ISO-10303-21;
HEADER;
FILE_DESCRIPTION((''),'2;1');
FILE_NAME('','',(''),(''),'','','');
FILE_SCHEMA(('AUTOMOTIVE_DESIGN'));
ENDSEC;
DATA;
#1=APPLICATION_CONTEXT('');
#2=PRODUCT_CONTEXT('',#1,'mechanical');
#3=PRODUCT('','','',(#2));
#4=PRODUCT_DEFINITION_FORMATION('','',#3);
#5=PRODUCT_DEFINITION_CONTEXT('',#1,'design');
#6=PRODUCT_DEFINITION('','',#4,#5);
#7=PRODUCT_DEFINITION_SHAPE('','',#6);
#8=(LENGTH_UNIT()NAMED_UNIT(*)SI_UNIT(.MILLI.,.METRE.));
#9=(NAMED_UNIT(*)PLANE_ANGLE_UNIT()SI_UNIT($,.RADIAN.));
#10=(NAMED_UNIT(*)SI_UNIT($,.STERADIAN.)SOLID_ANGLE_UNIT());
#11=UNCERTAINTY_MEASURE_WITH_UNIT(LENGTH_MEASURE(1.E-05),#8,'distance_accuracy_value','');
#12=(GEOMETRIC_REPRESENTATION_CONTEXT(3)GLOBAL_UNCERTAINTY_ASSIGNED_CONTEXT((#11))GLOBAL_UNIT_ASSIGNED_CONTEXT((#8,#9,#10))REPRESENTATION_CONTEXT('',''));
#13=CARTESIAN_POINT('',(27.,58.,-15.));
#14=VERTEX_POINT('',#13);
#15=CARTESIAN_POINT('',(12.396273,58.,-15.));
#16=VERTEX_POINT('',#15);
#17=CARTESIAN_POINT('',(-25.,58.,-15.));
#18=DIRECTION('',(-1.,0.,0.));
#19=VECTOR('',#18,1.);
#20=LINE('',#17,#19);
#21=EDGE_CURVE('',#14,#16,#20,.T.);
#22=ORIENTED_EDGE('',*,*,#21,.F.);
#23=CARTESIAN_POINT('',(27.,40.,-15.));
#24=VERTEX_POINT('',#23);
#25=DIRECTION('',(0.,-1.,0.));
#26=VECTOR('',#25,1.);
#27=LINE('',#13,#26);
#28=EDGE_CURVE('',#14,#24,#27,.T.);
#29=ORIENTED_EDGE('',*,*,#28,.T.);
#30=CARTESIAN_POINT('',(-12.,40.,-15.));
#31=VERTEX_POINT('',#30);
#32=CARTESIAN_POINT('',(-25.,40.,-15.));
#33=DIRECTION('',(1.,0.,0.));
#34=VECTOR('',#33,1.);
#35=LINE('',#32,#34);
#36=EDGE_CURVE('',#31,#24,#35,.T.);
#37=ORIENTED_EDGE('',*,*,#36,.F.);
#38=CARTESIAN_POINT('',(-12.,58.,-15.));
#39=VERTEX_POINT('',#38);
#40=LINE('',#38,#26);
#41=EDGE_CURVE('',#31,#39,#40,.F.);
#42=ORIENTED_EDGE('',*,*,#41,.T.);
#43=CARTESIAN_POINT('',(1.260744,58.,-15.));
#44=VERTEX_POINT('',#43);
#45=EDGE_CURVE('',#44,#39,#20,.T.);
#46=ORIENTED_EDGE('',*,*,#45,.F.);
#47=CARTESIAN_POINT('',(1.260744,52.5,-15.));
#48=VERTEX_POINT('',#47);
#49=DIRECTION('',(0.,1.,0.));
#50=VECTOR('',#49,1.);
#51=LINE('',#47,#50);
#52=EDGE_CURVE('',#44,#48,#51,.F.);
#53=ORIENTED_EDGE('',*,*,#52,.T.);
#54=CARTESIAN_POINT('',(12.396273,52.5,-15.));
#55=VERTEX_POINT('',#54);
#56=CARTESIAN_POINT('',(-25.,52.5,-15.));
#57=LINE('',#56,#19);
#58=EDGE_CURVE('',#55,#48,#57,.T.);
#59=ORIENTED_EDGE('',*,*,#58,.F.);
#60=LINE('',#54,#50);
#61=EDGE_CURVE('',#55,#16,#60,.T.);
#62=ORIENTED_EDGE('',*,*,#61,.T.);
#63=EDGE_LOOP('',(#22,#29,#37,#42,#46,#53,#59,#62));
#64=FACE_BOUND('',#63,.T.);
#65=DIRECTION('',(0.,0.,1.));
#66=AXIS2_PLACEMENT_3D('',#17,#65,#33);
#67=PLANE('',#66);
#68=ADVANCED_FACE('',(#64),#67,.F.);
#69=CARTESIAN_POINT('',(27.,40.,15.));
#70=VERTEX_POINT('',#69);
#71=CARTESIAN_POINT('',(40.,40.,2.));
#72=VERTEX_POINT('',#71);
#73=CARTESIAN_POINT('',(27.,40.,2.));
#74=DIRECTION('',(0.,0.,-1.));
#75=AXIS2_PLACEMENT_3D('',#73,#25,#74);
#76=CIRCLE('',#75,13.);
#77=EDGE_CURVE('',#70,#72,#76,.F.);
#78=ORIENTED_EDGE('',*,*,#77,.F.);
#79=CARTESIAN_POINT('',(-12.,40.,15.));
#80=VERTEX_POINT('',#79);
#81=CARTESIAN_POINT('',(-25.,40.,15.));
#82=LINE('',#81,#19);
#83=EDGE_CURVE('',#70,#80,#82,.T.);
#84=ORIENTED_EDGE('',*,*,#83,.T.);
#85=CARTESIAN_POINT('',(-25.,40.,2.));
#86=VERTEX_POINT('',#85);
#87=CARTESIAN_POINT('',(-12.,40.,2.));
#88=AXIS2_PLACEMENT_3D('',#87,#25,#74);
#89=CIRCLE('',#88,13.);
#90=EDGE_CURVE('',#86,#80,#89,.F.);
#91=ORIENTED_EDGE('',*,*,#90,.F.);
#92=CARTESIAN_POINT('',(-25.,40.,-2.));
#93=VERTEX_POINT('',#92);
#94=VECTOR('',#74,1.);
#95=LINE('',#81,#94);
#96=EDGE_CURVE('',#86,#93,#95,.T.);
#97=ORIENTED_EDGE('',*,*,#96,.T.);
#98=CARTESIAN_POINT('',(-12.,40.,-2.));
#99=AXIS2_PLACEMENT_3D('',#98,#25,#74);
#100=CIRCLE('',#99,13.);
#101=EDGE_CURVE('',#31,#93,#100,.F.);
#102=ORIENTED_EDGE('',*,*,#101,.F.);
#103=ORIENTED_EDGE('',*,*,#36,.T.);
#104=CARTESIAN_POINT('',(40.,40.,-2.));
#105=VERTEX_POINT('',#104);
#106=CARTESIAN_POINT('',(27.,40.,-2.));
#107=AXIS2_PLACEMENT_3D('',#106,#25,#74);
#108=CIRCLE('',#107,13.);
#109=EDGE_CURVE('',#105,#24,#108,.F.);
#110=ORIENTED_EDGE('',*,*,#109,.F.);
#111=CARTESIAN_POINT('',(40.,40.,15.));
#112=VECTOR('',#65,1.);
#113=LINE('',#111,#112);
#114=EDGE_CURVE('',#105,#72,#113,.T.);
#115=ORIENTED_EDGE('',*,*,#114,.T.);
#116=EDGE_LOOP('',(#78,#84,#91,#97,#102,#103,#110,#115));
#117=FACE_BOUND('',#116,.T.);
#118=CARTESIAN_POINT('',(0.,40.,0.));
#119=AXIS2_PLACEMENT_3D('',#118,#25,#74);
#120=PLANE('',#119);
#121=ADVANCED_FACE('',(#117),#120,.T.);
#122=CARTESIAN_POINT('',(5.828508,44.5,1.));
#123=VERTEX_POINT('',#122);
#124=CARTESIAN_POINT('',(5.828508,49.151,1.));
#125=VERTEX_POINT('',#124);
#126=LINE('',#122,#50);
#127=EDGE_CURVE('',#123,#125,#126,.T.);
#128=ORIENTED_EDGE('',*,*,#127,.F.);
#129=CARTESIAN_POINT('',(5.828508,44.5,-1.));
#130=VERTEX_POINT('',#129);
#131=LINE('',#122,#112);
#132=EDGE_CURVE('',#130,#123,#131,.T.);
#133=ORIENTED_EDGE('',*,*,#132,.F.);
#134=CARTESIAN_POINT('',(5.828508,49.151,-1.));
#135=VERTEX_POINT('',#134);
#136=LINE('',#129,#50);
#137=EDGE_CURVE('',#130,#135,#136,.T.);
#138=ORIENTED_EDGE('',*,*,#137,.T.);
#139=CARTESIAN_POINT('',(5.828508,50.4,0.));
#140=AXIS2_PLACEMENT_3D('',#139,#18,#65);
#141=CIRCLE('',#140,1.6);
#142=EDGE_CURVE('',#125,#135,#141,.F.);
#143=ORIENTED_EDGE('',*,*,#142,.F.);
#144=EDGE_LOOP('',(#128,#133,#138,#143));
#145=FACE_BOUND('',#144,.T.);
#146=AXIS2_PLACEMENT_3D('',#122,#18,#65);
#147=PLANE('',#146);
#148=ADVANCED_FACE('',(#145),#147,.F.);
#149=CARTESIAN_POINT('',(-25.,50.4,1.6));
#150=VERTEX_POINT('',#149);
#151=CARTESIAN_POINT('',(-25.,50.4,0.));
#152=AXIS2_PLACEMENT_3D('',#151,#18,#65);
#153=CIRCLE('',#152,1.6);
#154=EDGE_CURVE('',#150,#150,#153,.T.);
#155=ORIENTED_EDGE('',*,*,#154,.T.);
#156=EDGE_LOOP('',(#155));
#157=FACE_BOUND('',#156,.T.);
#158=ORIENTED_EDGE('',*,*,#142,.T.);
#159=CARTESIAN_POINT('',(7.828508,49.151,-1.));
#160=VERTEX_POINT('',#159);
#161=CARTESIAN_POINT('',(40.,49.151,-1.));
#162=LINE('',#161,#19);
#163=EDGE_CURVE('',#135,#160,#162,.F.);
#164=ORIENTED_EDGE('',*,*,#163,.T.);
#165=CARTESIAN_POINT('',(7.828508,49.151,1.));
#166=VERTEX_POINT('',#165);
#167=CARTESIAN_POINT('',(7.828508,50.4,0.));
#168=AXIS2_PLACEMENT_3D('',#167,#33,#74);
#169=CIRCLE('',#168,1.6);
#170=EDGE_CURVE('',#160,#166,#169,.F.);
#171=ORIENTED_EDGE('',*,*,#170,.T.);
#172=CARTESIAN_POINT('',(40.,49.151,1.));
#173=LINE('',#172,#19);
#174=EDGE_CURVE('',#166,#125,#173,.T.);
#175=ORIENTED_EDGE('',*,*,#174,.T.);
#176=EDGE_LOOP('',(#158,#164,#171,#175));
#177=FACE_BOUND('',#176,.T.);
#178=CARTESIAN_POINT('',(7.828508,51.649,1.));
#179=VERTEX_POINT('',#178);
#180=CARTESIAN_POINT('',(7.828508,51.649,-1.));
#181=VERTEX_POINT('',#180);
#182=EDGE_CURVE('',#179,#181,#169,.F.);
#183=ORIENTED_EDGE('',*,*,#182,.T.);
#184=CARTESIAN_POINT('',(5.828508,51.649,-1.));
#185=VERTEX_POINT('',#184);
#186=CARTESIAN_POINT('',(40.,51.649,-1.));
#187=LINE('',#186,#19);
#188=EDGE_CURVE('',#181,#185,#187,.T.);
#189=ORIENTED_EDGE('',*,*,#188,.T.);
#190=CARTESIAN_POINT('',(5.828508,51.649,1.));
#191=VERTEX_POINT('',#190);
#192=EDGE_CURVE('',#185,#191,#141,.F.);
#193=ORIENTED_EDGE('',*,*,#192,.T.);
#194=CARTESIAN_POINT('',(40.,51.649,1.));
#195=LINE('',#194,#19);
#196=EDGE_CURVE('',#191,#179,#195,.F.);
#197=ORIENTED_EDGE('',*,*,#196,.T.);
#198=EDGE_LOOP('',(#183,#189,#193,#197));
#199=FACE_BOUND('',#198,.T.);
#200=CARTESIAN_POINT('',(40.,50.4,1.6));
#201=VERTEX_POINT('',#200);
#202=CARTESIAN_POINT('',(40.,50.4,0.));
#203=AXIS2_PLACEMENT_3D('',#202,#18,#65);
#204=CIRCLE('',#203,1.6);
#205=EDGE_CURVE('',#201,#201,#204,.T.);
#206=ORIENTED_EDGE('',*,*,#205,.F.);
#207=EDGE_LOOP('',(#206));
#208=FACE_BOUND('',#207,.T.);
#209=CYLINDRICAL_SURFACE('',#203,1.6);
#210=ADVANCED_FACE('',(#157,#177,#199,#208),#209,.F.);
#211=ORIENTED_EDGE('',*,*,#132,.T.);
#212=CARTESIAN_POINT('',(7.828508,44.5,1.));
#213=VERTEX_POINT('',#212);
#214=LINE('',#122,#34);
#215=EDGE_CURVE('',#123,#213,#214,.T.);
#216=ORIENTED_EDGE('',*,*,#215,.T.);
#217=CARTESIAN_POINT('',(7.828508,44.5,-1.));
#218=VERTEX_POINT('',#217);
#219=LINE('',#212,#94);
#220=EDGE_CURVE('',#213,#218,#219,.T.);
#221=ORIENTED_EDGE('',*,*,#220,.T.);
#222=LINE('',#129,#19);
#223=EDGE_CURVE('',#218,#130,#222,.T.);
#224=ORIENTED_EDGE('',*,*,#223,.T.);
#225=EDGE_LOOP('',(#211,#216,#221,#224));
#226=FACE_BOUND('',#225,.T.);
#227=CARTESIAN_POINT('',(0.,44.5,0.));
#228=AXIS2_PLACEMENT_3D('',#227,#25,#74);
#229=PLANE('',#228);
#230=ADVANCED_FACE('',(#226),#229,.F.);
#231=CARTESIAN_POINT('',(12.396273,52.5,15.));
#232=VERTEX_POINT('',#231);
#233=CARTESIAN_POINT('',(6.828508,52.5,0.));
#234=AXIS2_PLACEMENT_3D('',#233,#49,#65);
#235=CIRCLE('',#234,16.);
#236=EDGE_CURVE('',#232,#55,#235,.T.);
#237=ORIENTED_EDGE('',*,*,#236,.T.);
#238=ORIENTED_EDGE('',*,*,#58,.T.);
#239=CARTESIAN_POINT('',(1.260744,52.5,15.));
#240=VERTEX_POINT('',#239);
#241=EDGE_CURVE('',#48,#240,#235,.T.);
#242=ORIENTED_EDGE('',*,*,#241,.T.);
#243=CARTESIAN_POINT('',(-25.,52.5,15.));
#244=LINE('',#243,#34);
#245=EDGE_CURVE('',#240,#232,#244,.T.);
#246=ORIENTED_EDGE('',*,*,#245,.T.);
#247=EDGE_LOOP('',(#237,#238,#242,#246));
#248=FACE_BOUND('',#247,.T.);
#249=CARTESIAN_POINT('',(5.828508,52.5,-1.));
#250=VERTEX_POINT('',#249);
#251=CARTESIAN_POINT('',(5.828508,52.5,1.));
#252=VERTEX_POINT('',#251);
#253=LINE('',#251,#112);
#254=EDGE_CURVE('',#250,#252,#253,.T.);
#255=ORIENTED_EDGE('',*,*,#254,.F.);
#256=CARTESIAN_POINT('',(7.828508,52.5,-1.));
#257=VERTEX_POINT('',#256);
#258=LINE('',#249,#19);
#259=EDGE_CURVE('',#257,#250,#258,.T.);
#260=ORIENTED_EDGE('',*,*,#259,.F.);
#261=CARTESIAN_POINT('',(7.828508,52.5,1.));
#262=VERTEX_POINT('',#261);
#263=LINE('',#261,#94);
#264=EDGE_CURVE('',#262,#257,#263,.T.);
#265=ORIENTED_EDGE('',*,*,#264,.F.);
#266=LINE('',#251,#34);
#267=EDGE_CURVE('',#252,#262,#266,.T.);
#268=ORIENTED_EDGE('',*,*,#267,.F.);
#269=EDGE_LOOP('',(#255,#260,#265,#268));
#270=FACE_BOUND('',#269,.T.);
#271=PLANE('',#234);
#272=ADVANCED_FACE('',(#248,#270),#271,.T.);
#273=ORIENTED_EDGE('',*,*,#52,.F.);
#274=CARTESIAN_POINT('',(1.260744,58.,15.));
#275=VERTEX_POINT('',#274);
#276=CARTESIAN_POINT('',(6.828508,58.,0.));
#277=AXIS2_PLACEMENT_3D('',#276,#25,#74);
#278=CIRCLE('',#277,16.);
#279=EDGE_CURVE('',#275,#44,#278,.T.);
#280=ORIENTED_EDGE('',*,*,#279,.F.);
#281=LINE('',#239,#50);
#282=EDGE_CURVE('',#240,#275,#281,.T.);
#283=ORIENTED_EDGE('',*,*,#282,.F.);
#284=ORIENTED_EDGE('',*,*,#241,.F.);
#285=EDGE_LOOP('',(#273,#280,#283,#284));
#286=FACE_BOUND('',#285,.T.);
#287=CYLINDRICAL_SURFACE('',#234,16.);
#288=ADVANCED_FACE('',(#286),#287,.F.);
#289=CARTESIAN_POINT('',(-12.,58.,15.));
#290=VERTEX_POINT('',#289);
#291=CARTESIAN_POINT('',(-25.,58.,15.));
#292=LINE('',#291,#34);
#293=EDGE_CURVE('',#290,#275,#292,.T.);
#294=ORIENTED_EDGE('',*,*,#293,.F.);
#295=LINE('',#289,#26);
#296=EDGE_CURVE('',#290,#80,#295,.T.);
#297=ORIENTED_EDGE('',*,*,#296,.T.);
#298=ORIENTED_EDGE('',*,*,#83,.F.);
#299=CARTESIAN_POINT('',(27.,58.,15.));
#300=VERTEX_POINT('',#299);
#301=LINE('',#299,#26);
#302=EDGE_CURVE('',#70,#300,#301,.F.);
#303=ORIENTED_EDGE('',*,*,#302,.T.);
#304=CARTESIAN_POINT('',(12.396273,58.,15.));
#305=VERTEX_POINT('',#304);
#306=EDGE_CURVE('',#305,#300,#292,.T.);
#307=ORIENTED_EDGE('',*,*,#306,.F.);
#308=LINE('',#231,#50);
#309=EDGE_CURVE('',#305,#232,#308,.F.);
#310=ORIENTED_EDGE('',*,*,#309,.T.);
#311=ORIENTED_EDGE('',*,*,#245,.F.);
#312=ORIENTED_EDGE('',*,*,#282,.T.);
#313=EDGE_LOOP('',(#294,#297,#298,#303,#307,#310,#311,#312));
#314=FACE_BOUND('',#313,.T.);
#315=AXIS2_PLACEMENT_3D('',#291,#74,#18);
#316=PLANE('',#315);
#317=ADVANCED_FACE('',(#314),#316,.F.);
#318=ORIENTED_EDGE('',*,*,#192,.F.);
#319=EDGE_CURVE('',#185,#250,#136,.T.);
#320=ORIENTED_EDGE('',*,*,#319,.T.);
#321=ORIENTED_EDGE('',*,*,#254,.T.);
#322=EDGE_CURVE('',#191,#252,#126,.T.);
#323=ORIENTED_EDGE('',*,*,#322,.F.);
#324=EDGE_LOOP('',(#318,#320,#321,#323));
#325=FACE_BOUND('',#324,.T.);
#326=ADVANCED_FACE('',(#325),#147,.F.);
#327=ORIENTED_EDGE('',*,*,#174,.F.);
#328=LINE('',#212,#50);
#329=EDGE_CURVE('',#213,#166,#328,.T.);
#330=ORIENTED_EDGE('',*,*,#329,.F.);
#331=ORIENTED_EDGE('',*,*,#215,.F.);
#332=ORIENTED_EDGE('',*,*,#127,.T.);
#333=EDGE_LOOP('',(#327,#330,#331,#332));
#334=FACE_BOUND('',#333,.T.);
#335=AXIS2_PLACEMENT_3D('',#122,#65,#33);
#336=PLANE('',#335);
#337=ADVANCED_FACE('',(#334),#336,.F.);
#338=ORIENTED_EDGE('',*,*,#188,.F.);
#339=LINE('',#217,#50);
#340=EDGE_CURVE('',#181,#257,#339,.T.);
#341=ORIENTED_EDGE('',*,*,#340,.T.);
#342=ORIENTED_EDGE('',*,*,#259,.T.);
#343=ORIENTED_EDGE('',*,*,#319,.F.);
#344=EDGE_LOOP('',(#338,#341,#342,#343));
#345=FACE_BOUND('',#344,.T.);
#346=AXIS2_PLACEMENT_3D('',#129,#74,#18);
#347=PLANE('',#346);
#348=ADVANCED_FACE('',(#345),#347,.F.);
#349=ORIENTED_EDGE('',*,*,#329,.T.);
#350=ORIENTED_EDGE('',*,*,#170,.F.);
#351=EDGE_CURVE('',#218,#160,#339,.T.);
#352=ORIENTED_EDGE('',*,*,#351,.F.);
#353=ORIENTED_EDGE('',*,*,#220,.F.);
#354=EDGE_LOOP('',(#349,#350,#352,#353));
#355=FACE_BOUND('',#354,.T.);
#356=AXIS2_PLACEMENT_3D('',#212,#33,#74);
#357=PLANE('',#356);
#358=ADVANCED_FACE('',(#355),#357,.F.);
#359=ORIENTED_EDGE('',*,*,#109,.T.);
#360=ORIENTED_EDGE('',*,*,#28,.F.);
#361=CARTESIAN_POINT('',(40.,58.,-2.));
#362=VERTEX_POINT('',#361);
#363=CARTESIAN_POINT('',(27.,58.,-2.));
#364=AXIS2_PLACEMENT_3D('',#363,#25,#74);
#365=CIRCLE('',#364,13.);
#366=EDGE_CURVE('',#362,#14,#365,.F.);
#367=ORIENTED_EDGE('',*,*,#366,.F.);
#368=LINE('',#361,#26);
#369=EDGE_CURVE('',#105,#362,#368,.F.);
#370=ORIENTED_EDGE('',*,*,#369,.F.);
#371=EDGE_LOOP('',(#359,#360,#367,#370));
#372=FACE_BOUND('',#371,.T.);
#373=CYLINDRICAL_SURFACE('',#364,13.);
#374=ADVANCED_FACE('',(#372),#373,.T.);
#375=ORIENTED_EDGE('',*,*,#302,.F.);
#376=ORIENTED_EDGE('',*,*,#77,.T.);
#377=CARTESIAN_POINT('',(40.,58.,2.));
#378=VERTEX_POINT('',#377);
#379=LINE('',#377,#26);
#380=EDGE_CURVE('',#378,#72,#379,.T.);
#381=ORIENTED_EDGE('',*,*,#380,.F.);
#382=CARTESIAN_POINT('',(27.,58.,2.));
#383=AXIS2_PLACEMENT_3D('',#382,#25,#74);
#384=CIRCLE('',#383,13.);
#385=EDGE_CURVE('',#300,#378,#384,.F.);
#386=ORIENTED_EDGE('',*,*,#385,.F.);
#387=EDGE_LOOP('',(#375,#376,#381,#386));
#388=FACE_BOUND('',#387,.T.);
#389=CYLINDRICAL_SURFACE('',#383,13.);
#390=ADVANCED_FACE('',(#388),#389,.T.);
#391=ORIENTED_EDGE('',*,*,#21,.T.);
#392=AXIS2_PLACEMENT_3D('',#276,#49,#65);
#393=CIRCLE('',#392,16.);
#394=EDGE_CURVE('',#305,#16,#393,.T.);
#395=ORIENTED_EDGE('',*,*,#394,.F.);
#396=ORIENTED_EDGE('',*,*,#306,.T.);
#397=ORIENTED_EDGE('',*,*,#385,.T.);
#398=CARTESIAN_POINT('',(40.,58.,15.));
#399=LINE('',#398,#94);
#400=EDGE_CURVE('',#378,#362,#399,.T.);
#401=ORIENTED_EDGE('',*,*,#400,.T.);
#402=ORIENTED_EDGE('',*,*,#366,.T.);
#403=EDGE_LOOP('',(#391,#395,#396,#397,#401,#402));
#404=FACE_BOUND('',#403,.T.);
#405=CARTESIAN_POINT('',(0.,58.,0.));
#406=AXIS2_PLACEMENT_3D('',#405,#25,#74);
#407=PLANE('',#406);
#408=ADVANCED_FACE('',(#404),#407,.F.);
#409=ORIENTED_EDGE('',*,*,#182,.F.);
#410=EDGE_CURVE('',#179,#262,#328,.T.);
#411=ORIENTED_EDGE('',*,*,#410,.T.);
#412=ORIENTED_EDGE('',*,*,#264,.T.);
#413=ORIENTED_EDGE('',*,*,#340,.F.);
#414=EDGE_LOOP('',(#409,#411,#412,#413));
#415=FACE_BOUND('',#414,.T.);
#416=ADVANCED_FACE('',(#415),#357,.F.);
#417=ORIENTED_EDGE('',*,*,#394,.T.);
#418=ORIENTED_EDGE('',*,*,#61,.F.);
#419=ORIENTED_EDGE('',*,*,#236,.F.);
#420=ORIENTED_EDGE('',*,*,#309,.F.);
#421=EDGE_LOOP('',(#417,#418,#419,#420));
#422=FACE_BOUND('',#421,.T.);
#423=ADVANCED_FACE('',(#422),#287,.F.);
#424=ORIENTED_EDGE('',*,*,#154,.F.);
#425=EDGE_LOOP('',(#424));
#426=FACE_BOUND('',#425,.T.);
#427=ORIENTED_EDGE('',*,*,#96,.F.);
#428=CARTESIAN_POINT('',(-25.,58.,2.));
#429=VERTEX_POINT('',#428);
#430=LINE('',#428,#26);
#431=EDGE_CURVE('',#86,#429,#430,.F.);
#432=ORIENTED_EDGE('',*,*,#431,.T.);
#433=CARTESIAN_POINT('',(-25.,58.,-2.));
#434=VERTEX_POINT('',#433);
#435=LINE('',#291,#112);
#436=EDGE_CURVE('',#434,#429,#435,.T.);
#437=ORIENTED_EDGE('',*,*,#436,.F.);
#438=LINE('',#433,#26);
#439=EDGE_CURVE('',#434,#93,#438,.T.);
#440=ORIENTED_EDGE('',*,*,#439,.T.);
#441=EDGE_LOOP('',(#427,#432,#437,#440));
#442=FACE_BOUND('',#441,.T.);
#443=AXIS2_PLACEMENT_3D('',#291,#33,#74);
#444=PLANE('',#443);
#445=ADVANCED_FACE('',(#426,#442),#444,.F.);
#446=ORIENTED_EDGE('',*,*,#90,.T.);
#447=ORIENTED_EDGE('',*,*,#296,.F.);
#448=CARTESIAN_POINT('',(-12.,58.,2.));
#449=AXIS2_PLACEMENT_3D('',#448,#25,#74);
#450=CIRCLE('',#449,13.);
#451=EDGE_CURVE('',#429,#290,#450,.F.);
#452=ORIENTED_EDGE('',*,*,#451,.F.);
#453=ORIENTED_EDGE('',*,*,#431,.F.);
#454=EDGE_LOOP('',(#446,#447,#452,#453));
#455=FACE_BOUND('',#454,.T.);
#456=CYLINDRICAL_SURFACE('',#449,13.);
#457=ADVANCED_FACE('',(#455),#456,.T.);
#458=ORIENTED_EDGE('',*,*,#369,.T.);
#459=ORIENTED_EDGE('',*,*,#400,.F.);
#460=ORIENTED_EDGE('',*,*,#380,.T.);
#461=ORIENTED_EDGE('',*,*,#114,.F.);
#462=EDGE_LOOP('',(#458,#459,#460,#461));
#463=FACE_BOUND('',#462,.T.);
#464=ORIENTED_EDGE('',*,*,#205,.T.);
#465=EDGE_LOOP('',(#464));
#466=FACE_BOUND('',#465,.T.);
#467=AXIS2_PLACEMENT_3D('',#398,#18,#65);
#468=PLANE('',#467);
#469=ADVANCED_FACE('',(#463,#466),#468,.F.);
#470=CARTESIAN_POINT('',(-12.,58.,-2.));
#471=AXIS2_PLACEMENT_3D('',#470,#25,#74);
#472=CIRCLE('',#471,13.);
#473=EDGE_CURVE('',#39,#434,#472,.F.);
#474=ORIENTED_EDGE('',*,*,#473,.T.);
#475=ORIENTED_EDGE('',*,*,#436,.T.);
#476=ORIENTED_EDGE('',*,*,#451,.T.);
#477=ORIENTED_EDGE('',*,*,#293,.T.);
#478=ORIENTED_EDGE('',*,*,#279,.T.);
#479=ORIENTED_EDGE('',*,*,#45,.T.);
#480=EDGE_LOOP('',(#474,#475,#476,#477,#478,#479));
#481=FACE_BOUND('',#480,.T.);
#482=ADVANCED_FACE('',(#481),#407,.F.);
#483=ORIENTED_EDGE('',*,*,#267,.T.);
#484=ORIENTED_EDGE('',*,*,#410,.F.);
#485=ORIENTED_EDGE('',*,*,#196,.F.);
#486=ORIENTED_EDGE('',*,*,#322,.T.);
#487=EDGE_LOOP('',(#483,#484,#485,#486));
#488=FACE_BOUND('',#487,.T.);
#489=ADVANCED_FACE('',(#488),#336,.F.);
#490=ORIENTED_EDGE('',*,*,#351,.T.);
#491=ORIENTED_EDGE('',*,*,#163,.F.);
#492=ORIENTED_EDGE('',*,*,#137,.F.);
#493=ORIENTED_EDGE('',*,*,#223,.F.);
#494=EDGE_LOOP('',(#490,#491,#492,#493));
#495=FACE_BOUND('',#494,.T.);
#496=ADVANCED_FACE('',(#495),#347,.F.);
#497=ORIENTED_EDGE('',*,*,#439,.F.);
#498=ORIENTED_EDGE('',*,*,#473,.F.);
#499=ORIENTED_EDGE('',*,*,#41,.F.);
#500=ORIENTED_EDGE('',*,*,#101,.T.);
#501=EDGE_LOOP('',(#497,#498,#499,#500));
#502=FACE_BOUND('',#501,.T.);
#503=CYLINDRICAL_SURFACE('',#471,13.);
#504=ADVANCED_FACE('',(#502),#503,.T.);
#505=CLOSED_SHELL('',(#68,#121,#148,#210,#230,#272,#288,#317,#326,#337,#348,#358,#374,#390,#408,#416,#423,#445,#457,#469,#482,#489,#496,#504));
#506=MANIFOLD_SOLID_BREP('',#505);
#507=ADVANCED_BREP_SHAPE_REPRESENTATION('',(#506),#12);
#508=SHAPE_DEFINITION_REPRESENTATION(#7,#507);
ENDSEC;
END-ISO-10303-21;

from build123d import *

# Parameters (mm, degrees)
SKETCH1_W           = 65
SKETCH1_H           = 30
BOSS_EXTRUDE1_DEPTH = 58
FILLET1_R           = 13
SKETCH15_W          = 83.696095513
SKETCH15_H          = 31.69844841
CUT_EXTRUDE7_DEPTH  = 50
SKETCH18_R          = 16
CUT_EXTRUDE10_DEPTH = 5.5
SKETCH3_R           = 1.6
CUT_EXTRUDE12_DEPTH = 89.396832522
SKETCH21_W          = 2
SKETCH21_H          = 2
CUT_EXTRUDE13_DEPTH = 8


with BuildPart() as part:
    # Sketch1 → Boss-Extrude1 (new body)
    with BuildSketch(Plane(origin=(0, 0, 0), x_dir=(1, 0, 0), z_dir=(0, 1, 0))):
        with Locations((7.5, 0)):
            Rectangle(SKETCH1_W, SKETCH1_H)
    extrude(amount=BOSS_EXTRUDE1_DEPTH)

    # Fillet1
    fillet1_edges = [part.edges().sort_by_distance(p)[0] for p in [
        (40, 29, 15),
        (-25, 29, 15),
        (-25, 29, -15),
        (40, 29, -15),
    ]]
    fillet(fillet1_edges, radius=FILLET1_R)

    # Sketch15 → Cut-Extrude7 (cut)
    with BuildSketch(Plane(origin=(0, -10, 0), x_dir=(-1, 0, 0), z_dir=(0, -1, 0))):
        with Locations((-0.057440767, 0.030479277)):
            Rectangle(SKETCH15_W, SKETCH15_H)
    extrude(amount=-CUT_EXTRUDE7_DEPTH, mode=Mode.SUBTRACT)

    # Sketch18 → Cut-Extrude10 (cut)
    with BuildSketch(Plane(origin=(0, 58, 0), x_dir=(1, 0, 0), z_dir=(0, 1, 0))):
        with Locations((6.828508286, 0)):
            Circle(SKETCH18_R)
    extrude(amount=-CUT_EXTRUDE10_DEPTH, mode=Mode.SUBTRACT)

    # Sketch3 → Cut-Extrude12 (cut, through all)
    with BuildSketch(Plane.ZY.offset(25)):
        with Locations((0, 50.4)):
            Circle(SKETCH3_R)
    extrude(amount=-CUT_EXTRUDE12_DEPTH, mode=Mode.SUBTRACT)

    # Sketch21 → Cut-Extrude13 (cut)
    with BuildSketch(Plane(origin=(0, 52.5, 0), x_dir=(1, 0, 0), z_dir=(0, 1, 0))):
        with Locations((6.828508286, 0)):
            Rectangle(SKETCH21_W, SKETCH21_H)
    extrude(amount=-CUT_EXTRUDE13_DEPTH, mode=Mode.SUBTRACT)


solid = part.part
